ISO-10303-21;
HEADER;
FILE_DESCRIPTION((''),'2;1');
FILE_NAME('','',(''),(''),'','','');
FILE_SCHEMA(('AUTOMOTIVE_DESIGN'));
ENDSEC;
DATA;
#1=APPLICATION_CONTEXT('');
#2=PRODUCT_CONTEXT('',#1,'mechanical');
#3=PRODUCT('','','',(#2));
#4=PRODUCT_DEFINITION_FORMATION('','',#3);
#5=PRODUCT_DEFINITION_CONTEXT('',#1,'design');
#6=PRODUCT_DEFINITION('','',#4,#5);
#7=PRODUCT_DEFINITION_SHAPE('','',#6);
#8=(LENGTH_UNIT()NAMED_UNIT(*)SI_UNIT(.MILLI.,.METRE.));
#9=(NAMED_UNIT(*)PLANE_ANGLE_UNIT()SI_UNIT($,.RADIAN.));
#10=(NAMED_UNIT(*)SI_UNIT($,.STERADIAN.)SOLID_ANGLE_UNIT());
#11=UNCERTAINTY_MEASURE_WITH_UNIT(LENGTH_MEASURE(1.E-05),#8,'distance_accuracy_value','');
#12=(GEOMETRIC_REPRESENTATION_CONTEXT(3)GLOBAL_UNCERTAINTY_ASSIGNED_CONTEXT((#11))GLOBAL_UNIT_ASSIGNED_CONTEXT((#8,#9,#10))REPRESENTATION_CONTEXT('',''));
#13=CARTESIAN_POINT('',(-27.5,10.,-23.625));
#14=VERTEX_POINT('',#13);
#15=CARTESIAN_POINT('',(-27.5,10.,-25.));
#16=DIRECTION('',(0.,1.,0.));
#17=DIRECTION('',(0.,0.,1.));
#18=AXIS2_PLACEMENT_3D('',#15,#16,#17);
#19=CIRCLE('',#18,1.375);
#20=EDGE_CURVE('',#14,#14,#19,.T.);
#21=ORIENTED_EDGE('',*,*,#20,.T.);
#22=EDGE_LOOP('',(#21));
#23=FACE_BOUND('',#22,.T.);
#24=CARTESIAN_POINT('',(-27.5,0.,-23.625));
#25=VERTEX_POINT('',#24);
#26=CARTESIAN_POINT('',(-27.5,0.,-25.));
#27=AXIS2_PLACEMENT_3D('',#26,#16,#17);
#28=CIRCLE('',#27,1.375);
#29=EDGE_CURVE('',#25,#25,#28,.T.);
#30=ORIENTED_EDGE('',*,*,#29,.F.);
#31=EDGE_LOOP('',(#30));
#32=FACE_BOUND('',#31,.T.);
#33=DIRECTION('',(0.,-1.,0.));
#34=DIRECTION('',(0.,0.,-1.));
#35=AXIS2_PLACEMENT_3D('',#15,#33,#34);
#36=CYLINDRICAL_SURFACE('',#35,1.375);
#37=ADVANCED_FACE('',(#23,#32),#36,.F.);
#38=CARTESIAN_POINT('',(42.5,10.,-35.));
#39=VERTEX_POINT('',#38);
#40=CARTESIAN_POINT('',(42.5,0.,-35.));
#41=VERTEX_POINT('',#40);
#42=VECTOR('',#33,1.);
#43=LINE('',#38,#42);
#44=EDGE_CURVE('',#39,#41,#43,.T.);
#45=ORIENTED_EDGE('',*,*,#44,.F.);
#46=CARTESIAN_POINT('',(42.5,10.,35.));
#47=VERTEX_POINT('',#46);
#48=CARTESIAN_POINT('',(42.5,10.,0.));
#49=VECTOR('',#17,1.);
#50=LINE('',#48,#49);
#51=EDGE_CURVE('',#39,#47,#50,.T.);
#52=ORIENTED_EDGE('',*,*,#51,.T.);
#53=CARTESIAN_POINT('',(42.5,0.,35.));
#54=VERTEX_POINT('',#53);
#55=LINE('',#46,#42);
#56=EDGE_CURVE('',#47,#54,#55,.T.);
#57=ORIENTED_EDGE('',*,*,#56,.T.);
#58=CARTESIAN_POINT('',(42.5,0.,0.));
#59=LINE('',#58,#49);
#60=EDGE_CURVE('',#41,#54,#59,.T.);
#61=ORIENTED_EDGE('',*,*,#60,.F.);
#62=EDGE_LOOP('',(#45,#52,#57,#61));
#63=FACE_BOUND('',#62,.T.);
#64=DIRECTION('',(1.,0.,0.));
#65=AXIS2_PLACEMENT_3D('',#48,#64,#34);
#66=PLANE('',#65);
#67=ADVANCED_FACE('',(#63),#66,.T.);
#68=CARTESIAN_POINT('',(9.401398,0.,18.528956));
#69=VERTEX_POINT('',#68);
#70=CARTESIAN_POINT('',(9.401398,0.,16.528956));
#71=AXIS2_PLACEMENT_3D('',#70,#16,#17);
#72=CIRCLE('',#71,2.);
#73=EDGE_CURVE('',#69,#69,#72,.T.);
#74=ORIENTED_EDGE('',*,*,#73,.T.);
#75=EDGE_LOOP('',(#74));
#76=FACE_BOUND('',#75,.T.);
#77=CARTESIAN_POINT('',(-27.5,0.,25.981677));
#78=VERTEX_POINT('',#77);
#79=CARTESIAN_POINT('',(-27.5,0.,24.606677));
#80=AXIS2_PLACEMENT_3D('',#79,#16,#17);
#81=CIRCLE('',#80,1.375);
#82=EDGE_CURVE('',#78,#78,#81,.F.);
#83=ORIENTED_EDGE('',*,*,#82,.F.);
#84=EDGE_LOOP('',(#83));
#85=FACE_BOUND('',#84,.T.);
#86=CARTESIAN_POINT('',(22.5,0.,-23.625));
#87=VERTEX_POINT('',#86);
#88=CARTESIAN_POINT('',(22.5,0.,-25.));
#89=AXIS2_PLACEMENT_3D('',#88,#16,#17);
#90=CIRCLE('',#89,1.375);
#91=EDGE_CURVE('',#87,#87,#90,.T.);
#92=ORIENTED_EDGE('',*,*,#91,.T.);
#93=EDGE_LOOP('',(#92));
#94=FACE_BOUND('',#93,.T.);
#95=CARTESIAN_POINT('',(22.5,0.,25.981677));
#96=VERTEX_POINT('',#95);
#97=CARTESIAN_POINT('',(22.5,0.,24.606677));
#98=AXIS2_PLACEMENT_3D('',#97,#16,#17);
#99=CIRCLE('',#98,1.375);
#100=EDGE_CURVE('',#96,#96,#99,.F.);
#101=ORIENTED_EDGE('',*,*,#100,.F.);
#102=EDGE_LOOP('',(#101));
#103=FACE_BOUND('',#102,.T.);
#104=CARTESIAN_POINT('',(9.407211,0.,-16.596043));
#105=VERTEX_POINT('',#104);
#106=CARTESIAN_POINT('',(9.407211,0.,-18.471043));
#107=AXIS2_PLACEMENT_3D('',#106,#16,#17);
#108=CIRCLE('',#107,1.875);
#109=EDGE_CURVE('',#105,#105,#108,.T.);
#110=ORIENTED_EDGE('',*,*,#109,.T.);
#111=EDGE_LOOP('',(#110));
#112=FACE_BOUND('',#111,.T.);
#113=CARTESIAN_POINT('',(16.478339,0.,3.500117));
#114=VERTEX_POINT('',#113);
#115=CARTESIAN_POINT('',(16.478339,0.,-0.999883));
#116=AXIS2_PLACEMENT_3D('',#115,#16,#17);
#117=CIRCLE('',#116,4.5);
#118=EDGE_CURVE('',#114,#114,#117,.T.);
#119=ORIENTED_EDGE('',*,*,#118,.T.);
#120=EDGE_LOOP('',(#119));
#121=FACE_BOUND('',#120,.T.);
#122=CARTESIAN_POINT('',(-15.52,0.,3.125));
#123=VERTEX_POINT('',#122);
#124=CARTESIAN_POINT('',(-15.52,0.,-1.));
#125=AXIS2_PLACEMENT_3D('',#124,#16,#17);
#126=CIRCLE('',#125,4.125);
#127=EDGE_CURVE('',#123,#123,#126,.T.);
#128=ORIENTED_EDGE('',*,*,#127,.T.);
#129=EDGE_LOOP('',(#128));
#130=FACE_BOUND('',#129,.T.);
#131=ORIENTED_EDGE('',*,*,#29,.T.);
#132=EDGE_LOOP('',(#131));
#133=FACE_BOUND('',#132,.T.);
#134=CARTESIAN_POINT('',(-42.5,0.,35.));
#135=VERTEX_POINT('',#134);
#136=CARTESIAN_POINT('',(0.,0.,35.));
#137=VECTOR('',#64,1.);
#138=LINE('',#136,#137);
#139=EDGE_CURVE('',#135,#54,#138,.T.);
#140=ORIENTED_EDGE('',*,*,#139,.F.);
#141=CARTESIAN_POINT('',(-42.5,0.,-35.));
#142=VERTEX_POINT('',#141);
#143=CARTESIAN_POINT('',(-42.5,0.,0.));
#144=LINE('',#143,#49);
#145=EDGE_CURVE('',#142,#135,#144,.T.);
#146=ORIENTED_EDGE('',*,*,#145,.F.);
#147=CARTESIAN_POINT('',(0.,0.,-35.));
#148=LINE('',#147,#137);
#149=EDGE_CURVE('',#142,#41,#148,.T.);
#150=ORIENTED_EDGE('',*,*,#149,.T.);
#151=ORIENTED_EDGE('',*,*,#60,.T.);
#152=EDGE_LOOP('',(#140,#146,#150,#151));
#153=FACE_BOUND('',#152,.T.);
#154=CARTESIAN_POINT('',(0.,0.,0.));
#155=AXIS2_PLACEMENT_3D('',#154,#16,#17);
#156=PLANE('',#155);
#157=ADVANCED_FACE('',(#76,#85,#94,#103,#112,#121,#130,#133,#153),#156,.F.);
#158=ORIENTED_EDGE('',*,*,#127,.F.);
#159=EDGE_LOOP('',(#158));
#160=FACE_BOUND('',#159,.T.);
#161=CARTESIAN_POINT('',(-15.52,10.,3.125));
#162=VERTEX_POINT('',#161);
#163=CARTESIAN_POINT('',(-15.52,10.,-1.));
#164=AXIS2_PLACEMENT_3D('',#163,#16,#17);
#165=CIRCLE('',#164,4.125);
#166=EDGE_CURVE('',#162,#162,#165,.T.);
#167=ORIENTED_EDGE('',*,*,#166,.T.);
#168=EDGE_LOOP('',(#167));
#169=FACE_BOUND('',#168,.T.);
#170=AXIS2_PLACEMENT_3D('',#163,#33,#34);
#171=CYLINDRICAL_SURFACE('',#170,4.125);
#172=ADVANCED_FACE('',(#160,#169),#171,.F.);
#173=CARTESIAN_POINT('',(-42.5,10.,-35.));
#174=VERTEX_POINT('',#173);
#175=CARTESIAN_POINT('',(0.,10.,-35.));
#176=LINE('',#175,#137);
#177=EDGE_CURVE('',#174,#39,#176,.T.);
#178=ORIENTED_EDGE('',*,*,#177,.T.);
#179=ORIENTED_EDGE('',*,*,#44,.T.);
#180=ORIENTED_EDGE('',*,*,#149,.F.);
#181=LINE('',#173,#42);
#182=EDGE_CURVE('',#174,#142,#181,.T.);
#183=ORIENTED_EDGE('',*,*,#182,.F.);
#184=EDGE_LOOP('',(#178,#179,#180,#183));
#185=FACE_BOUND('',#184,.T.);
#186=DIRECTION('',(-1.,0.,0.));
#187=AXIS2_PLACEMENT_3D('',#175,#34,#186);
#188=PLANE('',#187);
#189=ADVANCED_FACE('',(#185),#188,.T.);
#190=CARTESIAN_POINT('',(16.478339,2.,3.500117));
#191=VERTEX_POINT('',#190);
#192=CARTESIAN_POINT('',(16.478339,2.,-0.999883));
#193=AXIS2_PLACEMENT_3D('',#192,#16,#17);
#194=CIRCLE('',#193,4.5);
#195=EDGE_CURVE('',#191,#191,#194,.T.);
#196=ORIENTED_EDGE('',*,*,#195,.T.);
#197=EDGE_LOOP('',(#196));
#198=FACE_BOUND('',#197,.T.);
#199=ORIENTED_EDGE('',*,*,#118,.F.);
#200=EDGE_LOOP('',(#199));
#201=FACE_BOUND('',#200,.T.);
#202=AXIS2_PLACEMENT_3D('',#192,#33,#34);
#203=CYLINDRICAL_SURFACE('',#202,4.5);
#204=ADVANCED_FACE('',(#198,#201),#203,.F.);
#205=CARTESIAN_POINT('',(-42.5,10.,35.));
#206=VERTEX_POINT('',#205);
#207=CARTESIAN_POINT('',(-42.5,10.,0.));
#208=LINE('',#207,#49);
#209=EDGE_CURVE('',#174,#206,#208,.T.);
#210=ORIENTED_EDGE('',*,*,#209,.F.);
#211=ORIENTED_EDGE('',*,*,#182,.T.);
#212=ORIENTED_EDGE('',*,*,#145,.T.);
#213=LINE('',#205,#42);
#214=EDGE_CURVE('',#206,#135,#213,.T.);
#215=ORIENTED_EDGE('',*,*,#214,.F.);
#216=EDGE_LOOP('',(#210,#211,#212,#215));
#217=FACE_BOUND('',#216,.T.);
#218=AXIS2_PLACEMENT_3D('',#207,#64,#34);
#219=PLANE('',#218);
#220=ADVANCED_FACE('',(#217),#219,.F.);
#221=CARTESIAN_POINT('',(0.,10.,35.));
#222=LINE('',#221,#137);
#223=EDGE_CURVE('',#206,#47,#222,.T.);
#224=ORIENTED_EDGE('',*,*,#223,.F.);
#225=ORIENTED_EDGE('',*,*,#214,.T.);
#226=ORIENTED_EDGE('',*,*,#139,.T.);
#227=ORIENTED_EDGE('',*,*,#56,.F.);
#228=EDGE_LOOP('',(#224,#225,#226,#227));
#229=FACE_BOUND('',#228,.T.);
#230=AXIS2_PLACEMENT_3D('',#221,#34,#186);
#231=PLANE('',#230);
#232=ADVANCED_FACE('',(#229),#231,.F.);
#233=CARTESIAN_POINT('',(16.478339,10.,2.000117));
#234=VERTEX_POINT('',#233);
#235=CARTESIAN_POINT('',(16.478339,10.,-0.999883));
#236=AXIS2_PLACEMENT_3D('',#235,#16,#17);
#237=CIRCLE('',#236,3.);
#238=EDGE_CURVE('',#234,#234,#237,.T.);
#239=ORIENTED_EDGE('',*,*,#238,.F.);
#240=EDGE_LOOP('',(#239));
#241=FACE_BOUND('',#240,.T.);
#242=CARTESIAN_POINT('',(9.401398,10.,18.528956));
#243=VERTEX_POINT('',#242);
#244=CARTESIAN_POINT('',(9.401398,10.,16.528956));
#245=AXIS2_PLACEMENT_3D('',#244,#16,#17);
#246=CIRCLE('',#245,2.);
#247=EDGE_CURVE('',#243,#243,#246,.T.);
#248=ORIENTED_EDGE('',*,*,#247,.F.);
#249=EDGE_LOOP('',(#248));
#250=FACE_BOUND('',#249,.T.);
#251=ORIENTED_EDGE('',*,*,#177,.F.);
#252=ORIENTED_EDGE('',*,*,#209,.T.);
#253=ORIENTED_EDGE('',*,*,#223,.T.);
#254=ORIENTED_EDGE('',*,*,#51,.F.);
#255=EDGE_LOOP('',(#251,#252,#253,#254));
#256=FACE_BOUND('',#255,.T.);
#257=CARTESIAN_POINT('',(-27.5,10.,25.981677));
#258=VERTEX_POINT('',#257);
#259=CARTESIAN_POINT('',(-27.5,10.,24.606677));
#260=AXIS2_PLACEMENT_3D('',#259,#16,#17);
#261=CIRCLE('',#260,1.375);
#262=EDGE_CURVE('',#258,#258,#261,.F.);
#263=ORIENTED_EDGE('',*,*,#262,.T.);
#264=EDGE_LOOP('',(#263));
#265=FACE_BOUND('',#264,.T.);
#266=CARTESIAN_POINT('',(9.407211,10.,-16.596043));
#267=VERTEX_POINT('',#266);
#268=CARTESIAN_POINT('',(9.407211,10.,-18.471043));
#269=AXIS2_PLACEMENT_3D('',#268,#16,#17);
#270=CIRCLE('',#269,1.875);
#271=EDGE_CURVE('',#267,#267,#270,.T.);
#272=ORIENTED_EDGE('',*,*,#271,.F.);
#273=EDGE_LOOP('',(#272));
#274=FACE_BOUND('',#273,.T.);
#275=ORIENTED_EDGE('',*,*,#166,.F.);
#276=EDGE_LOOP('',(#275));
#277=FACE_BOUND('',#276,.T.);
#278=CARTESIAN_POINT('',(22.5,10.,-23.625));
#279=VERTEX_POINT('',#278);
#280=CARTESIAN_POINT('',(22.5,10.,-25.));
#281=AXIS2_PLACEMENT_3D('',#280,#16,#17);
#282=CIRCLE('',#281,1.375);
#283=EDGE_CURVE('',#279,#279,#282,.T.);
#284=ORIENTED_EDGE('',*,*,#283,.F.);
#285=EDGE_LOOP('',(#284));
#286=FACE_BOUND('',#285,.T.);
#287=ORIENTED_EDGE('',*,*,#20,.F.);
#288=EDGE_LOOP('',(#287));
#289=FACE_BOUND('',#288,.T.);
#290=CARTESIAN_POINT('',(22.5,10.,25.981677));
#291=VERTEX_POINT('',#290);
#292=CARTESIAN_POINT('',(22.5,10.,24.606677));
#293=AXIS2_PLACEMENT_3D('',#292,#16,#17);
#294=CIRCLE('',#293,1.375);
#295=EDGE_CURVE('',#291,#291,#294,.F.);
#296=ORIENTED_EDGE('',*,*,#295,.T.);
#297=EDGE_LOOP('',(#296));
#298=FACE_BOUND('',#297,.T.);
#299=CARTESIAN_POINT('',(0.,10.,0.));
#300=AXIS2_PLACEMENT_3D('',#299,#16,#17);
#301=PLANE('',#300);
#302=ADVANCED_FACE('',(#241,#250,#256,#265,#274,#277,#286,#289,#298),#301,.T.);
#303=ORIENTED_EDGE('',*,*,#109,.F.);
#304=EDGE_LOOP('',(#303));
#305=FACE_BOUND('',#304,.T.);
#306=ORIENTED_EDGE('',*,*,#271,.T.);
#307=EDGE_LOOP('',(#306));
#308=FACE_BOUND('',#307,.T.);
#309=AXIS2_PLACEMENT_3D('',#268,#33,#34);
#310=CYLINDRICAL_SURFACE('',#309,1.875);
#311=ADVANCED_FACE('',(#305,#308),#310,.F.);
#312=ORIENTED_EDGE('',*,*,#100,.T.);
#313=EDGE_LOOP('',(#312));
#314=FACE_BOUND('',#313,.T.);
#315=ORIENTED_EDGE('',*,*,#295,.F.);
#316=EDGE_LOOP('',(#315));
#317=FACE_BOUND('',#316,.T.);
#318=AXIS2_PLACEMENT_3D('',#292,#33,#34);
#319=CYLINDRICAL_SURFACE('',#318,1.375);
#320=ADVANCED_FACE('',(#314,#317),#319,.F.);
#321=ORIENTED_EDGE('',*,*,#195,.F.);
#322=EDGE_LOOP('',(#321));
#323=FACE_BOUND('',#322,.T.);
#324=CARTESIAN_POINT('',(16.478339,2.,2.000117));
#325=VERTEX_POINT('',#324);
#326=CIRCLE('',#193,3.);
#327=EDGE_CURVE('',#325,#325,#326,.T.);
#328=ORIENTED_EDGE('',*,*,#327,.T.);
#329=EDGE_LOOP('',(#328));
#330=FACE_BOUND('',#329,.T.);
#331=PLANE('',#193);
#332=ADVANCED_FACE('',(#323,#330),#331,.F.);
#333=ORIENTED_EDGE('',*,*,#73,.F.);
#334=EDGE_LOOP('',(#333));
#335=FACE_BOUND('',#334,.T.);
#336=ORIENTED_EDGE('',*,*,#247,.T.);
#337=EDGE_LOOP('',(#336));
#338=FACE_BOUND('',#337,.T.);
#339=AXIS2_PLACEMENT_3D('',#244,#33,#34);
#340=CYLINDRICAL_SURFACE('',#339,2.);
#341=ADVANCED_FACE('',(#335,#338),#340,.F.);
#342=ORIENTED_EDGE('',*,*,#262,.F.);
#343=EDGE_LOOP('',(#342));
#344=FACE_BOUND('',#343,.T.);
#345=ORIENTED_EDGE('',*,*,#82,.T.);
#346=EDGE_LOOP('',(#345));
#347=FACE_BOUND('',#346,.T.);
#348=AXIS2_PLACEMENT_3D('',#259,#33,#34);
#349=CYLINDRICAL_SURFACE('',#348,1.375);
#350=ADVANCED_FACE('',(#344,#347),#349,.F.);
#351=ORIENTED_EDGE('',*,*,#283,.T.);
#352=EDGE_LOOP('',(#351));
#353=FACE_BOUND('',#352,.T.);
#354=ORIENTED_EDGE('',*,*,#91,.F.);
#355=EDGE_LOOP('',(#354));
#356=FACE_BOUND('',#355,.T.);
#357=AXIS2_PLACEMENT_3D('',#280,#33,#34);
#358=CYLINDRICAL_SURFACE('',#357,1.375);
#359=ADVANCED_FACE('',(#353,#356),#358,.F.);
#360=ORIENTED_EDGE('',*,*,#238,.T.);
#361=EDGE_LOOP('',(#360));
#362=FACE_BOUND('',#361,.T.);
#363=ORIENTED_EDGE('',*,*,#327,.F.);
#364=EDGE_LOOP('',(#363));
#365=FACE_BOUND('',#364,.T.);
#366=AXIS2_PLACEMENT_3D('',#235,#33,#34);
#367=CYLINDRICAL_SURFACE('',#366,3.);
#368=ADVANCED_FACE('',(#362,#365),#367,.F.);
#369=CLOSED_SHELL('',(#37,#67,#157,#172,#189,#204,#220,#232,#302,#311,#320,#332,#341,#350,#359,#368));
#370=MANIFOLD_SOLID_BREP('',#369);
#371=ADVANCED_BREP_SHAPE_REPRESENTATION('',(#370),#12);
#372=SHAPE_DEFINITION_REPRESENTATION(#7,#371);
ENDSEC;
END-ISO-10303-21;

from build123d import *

# Parameters (mm, degrees)
SKETCH1_W           = 85
SKETCH1_H           = 70
SKETCH1_R           = 1.375
SKETCH1_R_2         = 2
SKETCH1_R_3         = 1.875
SKETCH1_R_4         = 4.125
SKETCH1_R_5         = 3
BOSS_EXTRUDE4_DEPTH = 10
SKETCH1_7_R         = 4.5
CUT_EXTRUDE2_DEPTH  = 2


with BuildPart() as part:
    # Sketch1 → Boss-Extrude4 (new body)
    with BuildSketch(Plane(origin=(0, 0, 0), x_dir=(1, 0, 0), z_dir=(0, 1, 0))):
        Rectangle(SKETCH1_W, SKETCH1_H)
        with Locations((-27.5, -24.60667729)):
            Circle(SKETCH1_R, mode=Mode.SUBTRACT)
        with Locations((22.5, -24.60667729)):
            Circle(SKETCH1_R, mode=Mode.SUBTRACT)
        with Locations((9.401398241, -16.528956449)):
            Circle(SKETCH1_R_2, mode=Mode.SUBTRACT)
        with Locations((-27.5, 25)):
            Circle(SKETCH1_R, mode=Mode.SUBTRACT)
        with Locations((9.407211052, 18.471043068)):
            Circle(SKETCH1_R_3, mode=Mode.SUBTRACT)
        with Locations((22.5, 25)):
            Circle(SKETCH1_R, mode=Mode.SUBTRACT)
        with Locations((-15.52, 1)):
            Circle(SKETCH1_R_4, mode=Mode.SUBTRACT)
        with Locations((16.478339488, 0.999882702)):
            Circle(SKETCH1_R_5, mode=Mode.SUBTRACT)
    extrude(amount=BOSS_EXTRUDE4_DEPTH)

    # Sketch1<7> → Cut-Extrude2 (cut)
    with BuildSketch(Plane(origin=(0, 0, 0), x_dir=(1, 0, 0), z_dir=(0, 1, 0))):
        with Locations((16.478339488, 0.999882702)):
            Circle(SKETCH1_7_R)
    extrude(amount=CUT_EXTRUDE2_DEPTH, mode=Mode.SUBTRACT)


solid = part.part
